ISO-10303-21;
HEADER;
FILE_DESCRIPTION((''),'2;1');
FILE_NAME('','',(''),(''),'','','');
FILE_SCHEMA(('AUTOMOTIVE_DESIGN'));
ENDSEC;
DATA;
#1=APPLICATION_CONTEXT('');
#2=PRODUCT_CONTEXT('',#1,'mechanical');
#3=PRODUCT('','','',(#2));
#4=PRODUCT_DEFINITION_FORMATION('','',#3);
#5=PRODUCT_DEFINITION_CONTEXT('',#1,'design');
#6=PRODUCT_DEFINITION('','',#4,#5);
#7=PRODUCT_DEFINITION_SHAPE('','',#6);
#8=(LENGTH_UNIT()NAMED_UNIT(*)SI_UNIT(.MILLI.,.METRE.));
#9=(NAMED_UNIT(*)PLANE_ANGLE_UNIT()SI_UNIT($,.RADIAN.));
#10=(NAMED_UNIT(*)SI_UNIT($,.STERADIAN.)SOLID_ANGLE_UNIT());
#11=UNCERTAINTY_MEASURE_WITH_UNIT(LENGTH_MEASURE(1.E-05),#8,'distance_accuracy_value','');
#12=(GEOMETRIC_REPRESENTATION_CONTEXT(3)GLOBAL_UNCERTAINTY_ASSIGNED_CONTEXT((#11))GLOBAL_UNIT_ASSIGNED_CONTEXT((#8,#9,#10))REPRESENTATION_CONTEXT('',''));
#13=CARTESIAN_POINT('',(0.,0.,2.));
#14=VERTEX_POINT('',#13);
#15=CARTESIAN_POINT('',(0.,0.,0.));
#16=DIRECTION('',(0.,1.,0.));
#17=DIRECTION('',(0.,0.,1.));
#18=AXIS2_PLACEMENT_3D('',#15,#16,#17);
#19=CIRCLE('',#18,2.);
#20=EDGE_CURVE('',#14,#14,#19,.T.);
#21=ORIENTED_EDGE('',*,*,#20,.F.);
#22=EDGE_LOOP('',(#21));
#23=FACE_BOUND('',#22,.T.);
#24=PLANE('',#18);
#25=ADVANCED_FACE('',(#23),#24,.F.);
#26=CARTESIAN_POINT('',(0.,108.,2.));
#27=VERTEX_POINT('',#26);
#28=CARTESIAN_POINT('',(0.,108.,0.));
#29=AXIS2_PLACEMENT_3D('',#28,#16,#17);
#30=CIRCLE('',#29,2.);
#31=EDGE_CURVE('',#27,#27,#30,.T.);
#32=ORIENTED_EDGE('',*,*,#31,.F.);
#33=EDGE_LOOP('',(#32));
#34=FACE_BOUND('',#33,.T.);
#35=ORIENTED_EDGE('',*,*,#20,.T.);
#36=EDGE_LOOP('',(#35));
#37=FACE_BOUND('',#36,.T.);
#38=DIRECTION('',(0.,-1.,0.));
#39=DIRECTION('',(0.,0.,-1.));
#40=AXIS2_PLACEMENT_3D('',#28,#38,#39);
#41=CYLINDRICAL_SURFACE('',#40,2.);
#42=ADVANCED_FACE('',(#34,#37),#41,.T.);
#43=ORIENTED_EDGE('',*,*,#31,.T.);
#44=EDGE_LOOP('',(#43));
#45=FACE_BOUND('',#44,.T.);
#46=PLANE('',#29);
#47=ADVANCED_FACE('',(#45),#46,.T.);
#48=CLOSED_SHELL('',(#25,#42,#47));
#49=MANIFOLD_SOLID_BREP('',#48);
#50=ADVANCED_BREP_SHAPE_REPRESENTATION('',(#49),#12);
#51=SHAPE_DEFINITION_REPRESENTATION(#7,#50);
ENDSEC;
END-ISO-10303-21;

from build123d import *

# Parameters (mm, degrees)
SKETCH_1_R      = 2
EXTRUDE_1_DEPTH = 108


with BuildPart() as part:
    # 草图1 → 凸台-拉伸1 (new body)
    with BuildSketch(Plane(origin=(0, 0, 0), x_dir=(1, 0, 0), z_dir=(0, 1, 0))):
        with Locations(Location((0, 0, 0), (0, 0, 270))):
            Circle(SKETCH_1_R)
    extrude(amount=EXTRUDE_1_DEPTH)


solid = part.part
